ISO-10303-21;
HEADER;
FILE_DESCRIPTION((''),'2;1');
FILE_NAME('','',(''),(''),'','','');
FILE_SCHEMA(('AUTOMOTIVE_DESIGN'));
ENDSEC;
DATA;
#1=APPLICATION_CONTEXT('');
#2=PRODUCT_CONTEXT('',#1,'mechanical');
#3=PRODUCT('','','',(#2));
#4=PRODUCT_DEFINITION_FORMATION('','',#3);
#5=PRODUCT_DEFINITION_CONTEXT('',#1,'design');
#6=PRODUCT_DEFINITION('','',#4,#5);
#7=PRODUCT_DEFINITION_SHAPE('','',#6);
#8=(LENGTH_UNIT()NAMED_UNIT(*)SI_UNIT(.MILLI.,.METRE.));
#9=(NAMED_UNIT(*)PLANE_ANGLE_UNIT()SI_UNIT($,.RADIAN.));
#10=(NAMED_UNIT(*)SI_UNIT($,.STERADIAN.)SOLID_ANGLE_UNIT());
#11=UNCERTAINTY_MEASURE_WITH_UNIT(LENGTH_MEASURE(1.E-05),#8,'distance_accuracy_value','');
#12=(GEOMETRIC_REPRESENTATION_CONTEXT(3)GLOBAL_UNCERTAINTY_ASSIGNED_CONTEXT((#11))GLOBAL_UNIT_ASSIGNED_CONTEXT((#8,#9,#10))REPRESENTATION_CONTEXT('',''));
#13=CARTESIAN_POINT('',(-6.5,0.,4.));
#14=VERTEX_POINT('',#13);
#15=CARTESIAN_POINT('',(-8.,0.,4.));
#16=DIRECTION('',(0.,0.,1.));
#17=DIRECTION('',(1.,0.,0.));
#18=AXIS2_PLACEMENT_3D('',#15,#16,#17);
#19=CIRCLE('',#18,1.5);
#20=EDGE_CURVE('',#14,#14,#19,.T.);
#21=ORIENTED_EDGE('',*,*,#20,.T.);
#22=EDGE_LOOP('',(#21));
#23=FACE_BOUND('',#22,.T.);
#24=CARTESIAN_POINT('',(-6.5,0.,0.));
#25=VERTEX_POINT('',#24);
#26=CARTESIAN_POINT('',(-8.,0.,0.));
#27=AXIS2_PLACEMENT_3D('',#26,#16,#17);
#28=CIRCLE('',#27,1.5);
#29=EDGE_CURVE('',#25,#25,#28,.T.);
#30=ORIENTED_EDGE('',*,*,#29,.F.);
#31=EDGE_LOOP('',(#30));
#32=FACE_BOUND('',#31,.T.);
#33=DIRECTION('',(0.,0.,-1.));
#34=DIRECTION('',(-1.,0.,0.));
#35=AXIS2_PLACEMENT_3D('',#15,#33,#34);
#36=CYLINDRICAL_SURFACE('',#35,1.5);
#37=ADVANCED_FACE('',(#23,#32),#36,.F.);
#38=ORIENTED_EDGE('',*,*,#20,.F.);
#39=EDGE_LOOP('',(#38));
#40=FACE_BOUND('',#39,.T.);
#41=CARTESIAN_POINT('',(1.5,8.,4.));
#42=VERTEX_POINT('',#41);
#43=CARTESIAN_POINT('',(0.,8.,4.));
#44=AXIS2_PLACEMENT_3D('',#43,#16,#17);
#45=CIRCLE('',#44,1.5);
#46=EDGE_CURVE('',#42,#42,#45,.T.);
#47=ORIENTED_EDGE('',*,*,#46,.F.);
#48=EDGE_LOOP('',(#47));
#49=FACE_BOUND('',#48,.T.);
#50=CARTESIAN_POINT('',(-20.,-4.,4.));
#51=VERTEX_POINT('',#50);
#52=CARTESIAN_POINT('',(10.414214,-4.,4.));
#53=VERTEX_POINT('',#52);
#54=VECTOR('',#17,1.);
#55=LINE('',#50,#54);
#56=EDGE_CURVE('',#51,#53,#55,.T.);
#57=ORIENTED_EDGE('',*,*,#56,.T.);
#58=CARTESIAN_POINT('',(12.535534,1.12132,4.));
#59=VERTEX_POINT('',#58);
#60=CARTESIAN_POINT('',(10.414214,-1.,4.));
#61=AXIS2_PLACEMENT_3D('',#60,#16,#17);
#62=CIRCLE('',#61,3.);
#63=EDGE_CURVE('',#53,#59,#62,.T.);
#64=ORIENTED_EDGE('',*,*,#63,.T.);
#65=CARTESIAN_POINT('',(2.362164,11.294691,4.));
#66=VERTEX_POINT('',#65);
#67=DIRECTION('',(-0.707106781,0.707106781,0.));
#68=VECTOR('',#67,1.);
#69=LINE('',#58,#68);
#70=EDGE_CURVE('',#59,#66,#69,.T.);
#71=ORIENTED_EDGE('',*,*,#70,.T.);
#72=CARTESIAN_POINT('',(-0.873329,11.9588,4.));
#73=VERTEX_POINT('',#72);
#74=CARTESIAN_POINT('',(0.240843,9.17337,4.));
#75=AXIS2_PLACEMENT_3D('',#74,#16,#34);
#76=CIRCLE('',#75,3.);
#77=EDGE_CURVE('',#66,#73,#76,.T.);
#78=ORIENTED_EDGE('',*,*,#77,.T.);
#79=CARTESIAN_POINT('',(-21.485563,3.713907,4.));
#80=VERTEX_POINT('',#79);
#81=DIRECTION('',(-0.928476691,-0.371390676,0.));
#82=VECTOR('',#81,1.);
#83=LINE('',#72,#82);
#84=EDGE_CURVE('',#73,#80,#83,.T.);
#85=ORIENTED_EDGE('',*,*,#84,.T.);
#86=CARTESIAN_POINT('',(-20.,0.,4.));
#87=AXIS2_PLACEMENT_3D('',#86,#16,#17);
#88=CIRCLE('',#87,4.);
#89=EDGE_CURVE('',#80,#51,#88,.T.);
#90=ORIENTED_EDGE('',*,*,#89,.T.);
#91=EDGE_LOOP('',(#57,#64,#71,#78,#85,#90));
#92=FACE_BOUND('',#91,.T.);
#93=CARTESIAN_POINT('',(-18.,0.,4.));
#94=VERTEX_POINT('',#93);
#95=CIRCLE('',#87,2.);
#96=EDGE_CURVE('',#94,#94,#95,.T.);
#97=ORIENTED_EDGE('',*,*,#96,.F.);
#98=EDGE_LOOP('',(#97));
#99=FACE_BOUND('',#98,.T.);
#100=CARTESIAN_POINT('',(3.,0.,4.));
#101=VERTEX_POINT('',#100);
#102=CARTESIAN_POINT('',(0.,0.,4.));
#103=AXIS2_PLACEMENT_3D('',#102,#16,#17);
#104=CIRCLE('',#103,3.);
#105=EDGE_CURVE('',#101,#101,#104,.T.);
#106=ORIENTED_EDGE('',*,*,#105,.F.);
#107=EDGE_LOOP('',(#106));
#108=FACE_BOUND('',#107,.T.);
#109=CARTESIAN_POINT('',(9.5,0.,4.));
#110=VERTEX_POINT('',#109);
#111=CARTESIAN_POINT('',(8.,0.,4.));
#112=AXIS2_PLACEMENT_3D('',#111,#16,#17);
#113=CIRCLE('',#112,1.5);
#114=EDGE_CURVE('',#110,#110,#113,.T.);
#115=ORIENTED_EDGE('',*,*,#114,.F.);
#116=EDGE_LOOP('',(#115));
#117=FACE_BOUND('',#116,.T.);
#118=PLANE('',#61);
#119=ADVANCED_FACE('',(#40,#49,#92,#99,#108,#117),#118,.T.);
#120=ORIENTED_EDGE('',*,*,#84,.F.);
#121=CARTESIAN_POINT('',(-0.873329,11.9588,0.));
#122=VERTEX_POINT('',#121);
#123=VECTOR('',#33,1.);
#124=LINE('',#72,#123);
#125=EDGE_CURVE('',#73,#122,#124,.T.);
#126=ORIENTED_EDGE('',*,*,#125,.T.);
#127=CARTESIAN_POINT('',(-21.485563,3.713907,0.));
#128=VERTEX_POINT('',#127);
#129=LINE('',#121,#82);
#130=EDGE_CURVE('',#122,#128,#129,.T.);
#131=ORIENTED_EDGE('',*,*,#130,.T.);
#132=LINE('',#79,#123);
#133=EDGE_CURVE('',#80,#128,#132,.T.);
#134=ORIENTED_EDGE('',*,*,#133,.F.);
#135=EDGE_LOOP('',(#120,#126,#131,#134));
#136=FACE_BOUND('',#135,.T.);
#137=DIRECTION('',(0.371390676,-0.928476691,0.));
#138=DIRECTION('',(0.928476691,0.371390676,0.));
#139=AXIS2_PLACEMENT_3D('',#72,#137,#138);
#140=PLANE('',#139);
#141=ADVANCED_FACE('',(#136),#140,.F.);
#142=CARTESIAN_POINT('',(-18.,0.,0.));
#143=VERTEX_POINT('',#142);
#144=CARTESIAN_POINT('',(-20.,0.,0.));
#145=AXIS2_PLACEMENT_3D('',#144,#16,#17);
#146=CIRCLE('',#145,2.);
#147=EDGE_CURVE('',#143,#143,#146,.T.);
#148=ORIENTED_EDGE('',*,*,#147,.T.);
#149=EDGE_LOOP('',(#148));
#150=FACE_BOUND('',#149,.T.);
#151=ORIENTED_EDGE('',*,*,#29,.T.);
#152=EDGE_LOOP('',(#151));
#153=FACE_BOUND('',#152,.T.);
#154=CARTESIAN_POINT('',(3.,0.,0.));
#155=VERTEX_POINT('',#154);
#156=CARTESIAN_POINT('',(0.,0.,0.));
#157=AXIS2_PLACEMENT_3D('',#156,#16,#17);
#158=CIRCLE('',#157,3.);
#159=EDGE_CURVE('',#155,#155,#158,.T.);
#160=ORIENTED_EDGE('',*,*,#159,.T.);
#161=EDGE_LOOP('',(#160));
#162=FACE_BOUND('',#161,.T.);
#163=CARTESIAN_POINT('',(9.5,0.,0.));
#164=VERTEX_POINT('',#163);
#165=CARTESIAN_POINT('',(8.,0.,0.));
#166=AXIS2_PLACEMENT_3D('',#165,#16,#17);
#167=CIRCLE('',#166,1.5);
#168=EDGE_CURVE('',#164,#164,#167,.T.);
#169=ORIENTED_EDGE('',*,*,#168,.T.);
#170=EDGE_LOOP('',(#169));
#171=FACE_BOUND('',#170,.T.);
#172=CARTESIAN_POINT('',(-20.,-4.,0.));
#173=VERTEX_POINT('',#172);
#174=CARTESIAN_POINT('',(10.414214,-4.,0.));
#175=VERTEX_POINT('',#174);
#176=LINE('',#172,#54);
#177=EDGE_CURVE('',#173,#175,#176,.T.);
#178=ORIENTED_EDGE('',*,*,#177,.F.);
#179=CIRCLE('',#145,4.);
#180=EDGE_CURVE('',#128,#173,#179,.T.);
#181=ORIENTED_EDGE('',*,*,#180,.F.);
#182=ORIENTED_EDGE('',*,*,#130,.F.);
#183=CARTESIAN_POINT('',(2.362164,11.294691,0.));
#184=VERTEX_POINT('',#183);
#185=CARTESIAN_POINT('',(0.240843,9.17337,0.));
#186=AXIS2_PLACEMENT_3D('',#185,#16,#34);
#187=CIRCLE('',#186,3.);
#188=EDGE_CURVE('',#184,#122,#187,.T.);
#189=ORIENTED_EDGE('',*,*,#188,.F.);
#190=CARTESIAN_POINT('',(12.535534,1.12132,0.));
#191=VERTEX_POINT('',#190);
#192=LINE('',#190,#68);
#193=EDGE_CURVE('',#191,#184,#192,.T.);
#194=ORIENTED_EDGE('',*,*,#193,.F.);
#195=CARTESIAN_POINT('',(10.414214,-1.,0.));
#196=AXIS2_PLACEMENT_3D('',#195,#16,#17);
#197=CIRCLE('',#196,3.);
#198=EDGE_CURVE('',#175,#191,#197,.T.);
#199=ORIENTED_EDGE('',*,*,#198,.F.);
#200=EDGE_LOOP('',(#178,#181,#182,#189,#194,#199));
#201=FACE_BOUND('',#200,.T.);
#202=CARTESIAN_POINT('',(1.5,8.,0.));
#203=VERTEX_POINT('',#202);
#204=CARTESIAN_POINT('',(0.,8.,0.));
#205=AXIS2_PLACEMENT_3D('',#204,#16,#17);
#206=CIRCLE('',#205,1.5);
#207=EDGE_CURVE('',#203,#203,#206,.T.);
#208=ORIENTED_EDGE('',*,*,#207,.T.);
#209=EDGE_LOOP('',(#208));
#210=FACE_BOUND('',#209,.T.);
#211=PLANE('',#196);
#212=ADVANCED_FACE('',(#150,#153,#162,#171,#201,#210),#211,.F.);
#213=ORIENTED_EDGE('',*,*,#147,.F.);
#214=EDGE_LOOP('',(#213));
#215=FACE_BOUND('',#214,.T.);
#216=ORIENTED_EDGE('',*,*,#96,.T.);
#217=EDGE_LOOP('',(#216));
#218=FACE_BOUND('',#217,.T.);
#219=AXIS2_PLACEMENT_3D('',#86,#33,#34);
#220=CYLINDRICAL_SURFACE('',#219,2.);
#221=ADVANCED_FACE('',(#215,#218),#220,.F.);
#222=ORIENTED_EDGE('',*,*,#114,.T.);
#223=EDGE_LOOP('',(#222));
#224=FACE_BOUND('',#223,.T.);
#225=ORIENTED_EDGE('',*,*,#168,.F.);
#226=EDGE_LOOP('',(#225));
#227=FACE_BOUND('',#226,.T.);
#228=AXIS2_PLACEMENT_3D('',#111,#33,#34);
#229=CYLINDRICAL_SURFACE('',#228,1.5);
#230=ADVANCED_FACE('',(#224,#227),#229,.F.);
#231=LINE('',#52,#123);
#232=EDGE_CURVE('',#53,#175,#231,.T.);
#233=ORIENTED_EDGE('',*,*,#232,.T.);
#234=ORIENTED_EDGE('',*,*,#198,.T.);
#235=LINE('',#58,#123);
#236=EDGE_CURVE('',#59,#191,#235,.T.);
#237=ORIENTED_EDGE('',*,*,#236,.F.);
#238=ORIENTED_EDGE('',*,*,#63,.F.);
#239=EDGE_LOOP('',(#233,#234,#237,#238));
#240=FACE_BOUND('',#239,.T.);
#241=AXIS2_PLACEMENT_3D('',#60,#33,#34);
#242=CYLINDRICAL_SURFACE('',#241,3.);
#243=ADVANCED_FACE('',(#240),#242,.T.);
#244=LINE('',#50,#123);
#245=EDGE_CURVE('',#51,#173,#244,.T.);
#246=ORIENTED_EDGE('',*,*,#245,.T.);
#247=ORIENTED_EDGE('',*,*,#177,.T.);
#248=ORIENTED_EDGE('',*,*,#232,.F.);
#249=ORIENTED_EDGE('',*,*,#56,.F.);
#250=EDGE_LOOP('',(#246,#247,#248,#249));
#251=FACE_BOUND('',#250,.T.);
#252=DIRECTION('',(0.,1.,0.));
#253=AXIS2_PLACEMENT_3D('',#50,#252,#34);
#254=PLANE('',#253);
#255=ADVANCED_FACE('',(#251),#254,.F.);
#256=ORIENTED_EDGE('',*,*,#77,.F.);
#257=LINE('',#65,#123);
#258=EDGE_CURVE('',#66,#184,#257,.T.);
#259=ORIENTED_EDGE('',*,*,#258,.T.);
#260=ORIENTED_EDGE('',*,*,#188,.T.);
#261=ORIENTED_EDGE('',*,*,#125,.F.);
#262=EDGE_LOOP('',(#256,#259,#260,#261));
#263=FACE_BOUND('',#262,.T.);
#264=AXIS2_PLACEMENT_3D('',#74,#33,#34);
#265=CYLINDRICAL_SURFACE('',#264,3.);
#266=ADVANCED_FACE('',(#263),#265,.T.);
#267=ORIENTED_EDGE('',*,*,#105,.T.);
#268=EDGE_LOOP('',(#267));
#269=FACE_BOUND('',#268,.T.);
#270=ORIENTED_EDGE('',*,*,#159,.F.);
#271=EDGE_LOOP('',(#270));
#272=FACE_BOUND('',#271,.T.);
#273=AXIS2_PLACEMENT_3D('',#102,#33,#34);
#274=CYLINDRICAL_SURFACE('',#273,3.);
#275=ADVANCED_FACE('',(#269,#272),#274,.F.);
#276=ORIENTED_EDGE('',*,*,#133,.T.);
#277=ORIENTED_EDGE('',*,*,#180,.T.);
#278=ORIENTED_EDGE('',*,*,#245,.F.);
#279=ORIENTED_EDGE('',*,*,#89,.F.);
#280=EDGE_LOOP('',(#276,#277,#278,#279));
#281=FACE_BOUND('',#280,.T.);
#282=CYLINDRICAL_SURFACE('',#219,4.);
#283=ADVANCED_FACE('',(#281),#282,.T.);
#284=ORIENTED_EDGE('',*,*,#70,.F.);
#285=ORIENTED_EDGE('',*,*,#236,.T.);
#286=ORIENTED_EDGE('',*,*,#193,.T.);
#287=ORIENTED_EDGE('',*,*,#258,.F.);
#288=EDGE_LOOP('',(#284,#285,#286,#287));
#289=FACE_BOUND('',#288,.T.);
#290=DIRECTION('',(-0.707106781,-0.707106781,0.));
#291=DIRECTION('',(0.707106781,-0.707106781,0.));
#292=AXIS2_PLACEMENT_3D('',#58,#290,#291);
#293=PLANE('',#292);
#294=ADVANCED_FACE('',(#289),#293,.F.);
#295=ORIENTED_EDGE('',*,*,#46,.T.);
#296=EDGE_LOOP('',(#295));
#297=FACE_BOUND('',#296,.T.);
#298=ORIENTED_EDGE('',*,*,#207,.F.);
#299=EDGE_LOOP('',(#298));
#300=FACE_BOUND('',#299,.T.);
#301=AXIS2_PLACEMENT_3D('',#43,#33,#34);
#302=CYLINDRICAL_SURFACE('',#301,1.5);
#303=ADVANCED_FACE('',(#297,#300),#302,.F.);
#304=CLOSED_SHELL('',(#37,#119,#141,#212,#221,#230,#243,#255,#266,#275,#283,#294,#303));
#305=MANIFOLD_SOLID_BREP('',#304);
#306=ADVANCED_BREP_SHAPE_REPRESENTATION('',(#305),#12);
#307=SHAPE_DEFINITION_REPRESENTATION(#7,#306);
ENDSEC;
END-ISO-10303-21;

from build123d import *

# Parameters (mm, degrees)
SKETCH_1_R      = 1.5
SKETCH_1_R_2    = 2
SKETCH_1_R_3    = 3
EXTRUDE_1_DEPTH = 4


with BuildPart() as part:
    # 草图1 → 凸台-拉伸1 (new body)
    with BuildSketch(Plane.XY):
        with BuildLine():
            Line((-0.873328743, 11.958800349), (-21.485562705, 3.713906764))
            ThreePointArc((-21.485562705, 3.713906764), (-23.927825547, -0.756430085), (-20, -4))
            Line((-20, -4), (10.414213562, -4))
            ThreePointArc((10.414213562, -4), (13.18585216, -2.148050297), (12.535533906, 1.121320344))
            Line((12.535533906, 1.121320344), (2.36216363, 11.29469062))
            ThreePointArc((2.36216363, 11.29469062), (0.844040903, 12.112103444), (-0.873328743, 11.958800349))
        make_face()
        with Locations((0, 8)):
            Circle(SKETCH_1_R, mode=Mode.SUBTRACT)
        with Locations((8, 0)):
            Circle(SKETCH_1_R, mode=Mode.SUBTRACT)
        with Locations((-20, 0)):
            Circle(SKETCH_1_R_2, mode=Mode.SUBTRACT)
        Circle(SKETCH_1_R_3, mode=Mode.SUBTRACT)
        with Locations((-8, 0)):
            Circle(SKETCH_1_R, mode=Mode.SUBTRACT)
    extrude(amount=EXTRUDE_1_DEPTH)


solid = part.part
